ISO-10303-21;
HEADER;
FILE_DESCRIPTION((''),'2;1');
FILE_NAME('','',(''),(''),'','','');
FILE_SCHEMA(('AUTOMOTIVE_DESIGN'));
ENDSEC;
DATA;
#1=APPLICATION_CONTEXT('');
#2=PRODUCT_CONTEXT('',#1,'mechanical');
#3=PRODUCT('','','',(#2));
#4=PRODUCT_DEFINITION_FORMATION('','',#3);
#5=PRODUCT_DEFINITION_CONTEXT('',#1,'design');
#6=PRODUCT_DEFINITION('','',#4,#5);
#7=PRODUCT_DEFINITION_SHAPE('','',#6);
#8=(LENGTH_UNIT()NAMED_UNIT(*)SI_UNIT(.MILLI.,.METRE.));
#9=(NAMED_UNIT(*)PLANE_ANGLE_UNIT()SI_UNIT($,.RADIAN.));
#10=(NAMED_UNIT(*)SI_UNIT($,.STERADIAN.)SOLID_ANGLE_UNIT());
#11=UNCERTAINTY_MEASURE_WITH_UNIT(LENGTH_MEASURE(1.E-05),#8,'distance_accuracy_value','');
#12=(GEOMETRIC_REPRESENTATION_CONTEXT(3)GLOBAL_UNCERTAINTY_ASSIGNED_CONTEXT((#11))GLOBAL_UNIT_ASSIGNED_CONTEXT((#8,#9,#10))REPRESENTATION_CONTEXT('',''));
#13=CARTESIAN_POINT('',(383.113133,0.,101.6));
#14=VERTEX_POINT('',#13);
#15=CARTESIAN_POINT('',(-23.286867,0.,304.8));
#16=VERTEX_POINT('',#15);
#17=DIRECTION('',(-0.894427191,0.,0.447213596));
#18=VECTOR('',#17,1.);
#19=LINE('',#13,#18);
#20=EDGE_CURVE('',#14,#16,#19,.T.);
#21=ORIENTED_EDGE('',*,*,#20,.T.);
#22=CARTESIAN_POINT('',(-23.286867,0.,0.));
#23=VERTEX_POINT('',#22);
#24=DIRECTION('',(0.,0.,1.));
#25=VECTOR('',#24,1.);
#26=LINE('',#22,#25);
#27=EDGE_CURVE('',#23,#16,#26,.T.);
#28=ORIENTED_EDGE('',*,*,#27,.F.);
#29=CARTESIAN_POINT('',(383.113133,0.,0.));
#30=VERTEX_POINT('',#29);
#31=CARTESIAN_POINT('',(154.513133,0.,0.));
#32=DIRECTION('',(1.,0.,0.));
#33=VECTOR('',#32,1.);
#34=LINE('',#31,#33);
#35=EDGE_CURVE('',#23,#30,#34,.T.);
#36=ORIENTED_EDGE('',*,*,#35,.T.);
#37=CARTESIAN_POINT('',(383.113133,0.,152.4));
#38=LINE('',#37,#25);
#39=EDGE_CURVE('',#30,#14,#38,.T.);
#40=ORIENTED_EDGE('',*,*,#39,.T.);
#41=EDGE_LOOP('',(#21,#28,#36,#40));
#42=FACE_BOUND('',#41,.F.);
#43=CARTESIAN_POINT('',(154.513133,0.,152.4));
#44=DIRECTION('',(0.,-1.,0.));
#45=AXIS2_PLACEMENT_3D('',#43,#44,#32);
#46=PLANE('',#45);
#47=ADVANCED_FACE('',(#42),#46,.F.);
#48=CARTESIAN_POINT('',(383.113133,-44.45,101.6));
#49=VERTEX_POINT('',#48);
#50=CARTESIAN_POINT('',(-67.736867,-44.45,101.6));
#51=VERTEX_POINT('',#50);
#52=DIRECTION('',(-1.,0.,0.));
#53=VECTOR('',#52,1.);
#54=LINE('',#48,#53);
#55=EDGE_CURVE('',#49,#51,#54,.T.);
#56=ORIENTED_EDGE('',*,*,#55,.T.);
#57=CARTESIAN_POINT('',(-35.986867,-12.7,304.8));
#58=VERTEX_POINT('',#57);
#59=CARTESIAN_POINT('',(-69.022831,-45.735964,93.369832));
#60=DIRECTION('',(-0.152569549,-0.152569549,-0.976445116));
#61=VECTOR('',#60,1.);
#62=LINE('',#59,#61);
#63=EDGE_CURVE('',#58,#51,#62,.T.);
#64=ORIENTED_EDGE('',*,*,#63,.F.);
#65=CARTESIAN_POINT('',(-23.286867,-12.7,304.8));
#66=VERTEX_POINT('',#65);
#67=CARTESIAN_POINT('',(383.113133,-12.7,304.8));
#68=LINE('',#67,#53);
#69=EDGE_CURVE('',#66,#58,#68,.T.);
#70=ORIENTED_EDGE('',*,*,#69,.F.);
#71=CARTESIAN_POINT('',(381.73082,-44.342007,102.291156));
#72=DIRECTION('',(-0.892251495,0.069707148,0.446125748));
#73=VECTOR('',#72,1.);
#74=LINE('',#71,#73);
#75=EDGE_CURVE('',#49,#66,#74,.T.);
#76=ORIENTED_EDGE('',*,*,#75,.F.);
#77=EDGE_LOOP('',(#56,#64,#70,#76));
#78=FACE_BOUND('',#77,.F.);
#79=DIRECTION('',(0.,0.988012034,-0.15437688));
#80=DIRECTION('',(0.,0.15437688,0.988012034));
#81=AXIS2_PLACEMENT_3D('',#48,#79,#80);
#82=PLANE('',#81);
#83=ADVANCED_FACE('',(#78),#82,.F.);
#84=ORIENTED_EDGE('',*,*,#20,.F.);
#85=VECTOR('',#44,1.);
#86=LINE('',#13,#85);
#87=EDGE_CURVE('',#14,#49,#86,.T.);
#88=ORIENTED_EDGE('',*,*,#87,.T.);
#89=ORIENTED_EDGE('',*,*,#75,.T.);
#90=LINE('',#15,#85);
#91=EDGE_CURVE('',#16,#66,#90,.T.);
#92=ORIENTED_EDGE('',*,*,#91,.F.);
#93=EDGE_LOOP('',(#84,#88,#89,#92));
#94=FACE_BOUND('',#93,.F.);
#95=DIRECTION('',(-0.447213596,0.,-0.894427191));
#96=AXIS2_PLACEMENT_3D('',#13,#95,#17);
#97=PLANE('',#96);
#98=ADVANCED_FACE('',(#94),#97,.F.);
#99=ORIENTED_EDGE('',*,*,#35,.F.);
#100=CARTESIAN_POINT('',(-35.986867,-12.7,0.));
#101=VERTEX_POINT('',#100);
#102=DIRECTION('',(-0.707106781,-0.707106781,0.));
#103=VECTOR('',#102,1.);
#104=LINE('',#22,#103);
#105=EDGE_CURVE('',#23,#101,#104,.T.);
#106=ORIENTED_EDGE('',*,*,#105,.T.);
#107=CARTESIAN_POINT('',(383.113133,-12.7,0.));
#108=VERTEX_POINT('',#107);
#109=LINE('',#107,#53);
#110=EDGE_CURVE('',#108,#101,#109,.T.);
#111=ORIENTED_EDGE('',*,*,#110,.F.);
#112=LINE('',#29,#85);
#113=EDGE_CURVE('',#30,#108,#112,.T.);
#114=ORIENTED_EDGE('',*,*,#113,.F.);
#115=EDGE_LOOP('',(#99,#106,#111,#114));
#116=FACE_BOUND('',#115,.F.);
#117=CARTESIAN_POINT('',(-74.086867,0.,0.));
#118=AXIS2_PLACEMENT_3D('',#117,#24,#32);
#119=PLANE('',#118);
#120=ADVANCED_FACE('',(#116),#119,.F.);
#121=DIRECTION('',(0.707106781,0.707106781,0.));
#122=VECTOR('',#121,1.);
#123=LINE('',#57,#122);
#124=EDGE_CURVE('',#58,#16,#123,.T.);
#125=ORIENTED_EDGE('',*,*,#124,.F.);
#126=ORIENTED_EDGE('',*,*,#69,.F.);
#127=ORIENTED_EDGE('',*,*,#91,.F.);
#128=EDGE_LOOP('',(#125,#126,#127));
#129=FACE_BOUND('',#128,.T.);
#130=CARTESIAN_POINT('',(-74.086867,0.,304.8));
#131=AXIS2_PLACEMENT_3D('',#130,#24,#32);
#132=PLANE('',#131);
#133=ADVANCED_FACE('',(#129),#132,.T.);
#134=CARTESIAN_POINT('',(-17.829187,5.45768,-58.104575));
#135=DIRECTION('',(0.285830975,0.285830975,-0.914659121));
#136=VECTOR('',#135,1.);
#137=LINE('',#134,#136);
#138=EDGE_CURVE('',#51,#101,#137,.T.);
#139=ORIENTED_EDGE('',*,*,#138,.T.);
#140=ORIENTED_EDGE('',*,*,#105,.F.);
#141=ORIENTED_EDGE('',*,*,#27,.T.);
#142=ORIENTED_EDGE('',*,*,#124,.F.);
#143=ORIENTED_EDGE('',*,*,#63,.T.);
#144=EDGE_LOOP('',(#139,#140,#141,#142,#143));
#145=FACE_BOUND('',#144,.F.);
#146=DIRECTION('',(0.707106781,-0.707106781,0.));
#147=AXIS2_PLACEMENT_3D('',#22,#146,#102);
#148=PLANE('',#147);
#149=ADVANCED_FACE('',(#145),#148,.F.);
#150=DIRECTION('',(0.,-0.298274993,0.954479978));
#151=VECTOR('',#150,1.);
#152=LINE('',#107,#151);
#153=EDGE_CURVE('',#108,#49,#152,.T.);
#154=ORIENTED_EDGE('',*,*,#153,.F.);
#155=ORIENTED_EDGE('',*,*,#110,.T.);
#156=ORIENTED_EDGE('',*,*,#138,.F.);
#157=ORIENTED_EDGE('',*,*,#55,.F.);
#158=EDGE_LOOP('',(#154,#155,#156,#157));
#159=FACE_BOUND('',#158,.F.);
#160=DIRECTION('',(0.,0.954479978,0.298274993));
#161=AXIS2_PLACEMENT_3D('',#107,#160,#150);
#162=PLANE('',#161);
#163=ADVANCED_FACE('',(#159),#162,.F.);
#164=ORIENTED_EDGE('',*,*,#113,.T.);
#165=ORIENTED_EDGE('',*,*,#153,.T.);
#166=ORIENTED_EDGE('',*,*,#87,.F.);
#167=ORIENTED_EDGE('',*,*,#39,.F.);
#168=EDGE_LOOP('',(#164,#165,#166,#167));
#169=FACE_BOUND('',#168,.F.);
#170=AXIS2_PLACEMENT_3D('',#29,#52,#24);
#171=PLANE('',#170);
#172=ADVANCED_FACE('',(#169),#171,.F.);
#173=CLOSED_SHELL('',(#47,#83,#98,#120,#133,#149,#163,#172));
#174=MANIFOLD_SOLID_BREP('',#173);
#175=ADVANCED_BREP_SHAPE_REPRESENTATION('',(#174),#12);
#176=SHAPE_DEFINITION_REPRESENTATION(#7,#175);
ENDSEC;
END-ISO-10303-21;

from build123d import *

# Parameters (mm, degrees)
F0_W     = 457.2
F0_H     = 304.8
F1_DEPTH = 44.45
F3_DEPTH = 457.201
F5_DEPTH = 44.451
F7_DEPTH = 304.801


with BuildPart() as f1:
    # F0 (on Front) → F1 (new body)
    with BuildSketch(Plane.XZ):
        with Locations((154.513133, 152.4)):
            Rectangle(F0_W, F0_H)
    extrude(amount=F1_DEPTH)

    # F2 (on face) → F3 (cut, through all)
    with BuildSketch(Plane.YZ.offset(383.113133)):
        Polygon((-44.45, 101.6), (-12.7, 304.8), (-82.839599, 304.8), (-82.839599, 0), (-12.7, 0), align=None)
    extrude(amount=-F3_DEPTH, mode=Mode.SUBTRACT)

    # F4 (on face) → F5 (cut, through all)
    with BuildSketch(Plane(origin=(0, 0, 0), x_dir=(-1, 0, 0), z_dir=(0, 1, 0))):
        Polygon((-383.113133, 101.6), (23.286867, 304.8), (-383.113133, 304.8), align=None)
    extrude(amount=-F5_DEPTH, mode=Mode.SUBTRACT)

    # F6 (on face) → F7 (cut, through all)
    with BuildSketch(Plane(origin=(0, 0, 0), x_dir=(1, 0, 0), z_dir=(0, 0, -1))):
        Polygon((-74.086867, 50.8), (-74.086867, 0), (-23.286867, 0), align=None)
    extrude(amount=-F7_DEPTH, mode=Mode.SUBTRACT)


solid = f1.part
